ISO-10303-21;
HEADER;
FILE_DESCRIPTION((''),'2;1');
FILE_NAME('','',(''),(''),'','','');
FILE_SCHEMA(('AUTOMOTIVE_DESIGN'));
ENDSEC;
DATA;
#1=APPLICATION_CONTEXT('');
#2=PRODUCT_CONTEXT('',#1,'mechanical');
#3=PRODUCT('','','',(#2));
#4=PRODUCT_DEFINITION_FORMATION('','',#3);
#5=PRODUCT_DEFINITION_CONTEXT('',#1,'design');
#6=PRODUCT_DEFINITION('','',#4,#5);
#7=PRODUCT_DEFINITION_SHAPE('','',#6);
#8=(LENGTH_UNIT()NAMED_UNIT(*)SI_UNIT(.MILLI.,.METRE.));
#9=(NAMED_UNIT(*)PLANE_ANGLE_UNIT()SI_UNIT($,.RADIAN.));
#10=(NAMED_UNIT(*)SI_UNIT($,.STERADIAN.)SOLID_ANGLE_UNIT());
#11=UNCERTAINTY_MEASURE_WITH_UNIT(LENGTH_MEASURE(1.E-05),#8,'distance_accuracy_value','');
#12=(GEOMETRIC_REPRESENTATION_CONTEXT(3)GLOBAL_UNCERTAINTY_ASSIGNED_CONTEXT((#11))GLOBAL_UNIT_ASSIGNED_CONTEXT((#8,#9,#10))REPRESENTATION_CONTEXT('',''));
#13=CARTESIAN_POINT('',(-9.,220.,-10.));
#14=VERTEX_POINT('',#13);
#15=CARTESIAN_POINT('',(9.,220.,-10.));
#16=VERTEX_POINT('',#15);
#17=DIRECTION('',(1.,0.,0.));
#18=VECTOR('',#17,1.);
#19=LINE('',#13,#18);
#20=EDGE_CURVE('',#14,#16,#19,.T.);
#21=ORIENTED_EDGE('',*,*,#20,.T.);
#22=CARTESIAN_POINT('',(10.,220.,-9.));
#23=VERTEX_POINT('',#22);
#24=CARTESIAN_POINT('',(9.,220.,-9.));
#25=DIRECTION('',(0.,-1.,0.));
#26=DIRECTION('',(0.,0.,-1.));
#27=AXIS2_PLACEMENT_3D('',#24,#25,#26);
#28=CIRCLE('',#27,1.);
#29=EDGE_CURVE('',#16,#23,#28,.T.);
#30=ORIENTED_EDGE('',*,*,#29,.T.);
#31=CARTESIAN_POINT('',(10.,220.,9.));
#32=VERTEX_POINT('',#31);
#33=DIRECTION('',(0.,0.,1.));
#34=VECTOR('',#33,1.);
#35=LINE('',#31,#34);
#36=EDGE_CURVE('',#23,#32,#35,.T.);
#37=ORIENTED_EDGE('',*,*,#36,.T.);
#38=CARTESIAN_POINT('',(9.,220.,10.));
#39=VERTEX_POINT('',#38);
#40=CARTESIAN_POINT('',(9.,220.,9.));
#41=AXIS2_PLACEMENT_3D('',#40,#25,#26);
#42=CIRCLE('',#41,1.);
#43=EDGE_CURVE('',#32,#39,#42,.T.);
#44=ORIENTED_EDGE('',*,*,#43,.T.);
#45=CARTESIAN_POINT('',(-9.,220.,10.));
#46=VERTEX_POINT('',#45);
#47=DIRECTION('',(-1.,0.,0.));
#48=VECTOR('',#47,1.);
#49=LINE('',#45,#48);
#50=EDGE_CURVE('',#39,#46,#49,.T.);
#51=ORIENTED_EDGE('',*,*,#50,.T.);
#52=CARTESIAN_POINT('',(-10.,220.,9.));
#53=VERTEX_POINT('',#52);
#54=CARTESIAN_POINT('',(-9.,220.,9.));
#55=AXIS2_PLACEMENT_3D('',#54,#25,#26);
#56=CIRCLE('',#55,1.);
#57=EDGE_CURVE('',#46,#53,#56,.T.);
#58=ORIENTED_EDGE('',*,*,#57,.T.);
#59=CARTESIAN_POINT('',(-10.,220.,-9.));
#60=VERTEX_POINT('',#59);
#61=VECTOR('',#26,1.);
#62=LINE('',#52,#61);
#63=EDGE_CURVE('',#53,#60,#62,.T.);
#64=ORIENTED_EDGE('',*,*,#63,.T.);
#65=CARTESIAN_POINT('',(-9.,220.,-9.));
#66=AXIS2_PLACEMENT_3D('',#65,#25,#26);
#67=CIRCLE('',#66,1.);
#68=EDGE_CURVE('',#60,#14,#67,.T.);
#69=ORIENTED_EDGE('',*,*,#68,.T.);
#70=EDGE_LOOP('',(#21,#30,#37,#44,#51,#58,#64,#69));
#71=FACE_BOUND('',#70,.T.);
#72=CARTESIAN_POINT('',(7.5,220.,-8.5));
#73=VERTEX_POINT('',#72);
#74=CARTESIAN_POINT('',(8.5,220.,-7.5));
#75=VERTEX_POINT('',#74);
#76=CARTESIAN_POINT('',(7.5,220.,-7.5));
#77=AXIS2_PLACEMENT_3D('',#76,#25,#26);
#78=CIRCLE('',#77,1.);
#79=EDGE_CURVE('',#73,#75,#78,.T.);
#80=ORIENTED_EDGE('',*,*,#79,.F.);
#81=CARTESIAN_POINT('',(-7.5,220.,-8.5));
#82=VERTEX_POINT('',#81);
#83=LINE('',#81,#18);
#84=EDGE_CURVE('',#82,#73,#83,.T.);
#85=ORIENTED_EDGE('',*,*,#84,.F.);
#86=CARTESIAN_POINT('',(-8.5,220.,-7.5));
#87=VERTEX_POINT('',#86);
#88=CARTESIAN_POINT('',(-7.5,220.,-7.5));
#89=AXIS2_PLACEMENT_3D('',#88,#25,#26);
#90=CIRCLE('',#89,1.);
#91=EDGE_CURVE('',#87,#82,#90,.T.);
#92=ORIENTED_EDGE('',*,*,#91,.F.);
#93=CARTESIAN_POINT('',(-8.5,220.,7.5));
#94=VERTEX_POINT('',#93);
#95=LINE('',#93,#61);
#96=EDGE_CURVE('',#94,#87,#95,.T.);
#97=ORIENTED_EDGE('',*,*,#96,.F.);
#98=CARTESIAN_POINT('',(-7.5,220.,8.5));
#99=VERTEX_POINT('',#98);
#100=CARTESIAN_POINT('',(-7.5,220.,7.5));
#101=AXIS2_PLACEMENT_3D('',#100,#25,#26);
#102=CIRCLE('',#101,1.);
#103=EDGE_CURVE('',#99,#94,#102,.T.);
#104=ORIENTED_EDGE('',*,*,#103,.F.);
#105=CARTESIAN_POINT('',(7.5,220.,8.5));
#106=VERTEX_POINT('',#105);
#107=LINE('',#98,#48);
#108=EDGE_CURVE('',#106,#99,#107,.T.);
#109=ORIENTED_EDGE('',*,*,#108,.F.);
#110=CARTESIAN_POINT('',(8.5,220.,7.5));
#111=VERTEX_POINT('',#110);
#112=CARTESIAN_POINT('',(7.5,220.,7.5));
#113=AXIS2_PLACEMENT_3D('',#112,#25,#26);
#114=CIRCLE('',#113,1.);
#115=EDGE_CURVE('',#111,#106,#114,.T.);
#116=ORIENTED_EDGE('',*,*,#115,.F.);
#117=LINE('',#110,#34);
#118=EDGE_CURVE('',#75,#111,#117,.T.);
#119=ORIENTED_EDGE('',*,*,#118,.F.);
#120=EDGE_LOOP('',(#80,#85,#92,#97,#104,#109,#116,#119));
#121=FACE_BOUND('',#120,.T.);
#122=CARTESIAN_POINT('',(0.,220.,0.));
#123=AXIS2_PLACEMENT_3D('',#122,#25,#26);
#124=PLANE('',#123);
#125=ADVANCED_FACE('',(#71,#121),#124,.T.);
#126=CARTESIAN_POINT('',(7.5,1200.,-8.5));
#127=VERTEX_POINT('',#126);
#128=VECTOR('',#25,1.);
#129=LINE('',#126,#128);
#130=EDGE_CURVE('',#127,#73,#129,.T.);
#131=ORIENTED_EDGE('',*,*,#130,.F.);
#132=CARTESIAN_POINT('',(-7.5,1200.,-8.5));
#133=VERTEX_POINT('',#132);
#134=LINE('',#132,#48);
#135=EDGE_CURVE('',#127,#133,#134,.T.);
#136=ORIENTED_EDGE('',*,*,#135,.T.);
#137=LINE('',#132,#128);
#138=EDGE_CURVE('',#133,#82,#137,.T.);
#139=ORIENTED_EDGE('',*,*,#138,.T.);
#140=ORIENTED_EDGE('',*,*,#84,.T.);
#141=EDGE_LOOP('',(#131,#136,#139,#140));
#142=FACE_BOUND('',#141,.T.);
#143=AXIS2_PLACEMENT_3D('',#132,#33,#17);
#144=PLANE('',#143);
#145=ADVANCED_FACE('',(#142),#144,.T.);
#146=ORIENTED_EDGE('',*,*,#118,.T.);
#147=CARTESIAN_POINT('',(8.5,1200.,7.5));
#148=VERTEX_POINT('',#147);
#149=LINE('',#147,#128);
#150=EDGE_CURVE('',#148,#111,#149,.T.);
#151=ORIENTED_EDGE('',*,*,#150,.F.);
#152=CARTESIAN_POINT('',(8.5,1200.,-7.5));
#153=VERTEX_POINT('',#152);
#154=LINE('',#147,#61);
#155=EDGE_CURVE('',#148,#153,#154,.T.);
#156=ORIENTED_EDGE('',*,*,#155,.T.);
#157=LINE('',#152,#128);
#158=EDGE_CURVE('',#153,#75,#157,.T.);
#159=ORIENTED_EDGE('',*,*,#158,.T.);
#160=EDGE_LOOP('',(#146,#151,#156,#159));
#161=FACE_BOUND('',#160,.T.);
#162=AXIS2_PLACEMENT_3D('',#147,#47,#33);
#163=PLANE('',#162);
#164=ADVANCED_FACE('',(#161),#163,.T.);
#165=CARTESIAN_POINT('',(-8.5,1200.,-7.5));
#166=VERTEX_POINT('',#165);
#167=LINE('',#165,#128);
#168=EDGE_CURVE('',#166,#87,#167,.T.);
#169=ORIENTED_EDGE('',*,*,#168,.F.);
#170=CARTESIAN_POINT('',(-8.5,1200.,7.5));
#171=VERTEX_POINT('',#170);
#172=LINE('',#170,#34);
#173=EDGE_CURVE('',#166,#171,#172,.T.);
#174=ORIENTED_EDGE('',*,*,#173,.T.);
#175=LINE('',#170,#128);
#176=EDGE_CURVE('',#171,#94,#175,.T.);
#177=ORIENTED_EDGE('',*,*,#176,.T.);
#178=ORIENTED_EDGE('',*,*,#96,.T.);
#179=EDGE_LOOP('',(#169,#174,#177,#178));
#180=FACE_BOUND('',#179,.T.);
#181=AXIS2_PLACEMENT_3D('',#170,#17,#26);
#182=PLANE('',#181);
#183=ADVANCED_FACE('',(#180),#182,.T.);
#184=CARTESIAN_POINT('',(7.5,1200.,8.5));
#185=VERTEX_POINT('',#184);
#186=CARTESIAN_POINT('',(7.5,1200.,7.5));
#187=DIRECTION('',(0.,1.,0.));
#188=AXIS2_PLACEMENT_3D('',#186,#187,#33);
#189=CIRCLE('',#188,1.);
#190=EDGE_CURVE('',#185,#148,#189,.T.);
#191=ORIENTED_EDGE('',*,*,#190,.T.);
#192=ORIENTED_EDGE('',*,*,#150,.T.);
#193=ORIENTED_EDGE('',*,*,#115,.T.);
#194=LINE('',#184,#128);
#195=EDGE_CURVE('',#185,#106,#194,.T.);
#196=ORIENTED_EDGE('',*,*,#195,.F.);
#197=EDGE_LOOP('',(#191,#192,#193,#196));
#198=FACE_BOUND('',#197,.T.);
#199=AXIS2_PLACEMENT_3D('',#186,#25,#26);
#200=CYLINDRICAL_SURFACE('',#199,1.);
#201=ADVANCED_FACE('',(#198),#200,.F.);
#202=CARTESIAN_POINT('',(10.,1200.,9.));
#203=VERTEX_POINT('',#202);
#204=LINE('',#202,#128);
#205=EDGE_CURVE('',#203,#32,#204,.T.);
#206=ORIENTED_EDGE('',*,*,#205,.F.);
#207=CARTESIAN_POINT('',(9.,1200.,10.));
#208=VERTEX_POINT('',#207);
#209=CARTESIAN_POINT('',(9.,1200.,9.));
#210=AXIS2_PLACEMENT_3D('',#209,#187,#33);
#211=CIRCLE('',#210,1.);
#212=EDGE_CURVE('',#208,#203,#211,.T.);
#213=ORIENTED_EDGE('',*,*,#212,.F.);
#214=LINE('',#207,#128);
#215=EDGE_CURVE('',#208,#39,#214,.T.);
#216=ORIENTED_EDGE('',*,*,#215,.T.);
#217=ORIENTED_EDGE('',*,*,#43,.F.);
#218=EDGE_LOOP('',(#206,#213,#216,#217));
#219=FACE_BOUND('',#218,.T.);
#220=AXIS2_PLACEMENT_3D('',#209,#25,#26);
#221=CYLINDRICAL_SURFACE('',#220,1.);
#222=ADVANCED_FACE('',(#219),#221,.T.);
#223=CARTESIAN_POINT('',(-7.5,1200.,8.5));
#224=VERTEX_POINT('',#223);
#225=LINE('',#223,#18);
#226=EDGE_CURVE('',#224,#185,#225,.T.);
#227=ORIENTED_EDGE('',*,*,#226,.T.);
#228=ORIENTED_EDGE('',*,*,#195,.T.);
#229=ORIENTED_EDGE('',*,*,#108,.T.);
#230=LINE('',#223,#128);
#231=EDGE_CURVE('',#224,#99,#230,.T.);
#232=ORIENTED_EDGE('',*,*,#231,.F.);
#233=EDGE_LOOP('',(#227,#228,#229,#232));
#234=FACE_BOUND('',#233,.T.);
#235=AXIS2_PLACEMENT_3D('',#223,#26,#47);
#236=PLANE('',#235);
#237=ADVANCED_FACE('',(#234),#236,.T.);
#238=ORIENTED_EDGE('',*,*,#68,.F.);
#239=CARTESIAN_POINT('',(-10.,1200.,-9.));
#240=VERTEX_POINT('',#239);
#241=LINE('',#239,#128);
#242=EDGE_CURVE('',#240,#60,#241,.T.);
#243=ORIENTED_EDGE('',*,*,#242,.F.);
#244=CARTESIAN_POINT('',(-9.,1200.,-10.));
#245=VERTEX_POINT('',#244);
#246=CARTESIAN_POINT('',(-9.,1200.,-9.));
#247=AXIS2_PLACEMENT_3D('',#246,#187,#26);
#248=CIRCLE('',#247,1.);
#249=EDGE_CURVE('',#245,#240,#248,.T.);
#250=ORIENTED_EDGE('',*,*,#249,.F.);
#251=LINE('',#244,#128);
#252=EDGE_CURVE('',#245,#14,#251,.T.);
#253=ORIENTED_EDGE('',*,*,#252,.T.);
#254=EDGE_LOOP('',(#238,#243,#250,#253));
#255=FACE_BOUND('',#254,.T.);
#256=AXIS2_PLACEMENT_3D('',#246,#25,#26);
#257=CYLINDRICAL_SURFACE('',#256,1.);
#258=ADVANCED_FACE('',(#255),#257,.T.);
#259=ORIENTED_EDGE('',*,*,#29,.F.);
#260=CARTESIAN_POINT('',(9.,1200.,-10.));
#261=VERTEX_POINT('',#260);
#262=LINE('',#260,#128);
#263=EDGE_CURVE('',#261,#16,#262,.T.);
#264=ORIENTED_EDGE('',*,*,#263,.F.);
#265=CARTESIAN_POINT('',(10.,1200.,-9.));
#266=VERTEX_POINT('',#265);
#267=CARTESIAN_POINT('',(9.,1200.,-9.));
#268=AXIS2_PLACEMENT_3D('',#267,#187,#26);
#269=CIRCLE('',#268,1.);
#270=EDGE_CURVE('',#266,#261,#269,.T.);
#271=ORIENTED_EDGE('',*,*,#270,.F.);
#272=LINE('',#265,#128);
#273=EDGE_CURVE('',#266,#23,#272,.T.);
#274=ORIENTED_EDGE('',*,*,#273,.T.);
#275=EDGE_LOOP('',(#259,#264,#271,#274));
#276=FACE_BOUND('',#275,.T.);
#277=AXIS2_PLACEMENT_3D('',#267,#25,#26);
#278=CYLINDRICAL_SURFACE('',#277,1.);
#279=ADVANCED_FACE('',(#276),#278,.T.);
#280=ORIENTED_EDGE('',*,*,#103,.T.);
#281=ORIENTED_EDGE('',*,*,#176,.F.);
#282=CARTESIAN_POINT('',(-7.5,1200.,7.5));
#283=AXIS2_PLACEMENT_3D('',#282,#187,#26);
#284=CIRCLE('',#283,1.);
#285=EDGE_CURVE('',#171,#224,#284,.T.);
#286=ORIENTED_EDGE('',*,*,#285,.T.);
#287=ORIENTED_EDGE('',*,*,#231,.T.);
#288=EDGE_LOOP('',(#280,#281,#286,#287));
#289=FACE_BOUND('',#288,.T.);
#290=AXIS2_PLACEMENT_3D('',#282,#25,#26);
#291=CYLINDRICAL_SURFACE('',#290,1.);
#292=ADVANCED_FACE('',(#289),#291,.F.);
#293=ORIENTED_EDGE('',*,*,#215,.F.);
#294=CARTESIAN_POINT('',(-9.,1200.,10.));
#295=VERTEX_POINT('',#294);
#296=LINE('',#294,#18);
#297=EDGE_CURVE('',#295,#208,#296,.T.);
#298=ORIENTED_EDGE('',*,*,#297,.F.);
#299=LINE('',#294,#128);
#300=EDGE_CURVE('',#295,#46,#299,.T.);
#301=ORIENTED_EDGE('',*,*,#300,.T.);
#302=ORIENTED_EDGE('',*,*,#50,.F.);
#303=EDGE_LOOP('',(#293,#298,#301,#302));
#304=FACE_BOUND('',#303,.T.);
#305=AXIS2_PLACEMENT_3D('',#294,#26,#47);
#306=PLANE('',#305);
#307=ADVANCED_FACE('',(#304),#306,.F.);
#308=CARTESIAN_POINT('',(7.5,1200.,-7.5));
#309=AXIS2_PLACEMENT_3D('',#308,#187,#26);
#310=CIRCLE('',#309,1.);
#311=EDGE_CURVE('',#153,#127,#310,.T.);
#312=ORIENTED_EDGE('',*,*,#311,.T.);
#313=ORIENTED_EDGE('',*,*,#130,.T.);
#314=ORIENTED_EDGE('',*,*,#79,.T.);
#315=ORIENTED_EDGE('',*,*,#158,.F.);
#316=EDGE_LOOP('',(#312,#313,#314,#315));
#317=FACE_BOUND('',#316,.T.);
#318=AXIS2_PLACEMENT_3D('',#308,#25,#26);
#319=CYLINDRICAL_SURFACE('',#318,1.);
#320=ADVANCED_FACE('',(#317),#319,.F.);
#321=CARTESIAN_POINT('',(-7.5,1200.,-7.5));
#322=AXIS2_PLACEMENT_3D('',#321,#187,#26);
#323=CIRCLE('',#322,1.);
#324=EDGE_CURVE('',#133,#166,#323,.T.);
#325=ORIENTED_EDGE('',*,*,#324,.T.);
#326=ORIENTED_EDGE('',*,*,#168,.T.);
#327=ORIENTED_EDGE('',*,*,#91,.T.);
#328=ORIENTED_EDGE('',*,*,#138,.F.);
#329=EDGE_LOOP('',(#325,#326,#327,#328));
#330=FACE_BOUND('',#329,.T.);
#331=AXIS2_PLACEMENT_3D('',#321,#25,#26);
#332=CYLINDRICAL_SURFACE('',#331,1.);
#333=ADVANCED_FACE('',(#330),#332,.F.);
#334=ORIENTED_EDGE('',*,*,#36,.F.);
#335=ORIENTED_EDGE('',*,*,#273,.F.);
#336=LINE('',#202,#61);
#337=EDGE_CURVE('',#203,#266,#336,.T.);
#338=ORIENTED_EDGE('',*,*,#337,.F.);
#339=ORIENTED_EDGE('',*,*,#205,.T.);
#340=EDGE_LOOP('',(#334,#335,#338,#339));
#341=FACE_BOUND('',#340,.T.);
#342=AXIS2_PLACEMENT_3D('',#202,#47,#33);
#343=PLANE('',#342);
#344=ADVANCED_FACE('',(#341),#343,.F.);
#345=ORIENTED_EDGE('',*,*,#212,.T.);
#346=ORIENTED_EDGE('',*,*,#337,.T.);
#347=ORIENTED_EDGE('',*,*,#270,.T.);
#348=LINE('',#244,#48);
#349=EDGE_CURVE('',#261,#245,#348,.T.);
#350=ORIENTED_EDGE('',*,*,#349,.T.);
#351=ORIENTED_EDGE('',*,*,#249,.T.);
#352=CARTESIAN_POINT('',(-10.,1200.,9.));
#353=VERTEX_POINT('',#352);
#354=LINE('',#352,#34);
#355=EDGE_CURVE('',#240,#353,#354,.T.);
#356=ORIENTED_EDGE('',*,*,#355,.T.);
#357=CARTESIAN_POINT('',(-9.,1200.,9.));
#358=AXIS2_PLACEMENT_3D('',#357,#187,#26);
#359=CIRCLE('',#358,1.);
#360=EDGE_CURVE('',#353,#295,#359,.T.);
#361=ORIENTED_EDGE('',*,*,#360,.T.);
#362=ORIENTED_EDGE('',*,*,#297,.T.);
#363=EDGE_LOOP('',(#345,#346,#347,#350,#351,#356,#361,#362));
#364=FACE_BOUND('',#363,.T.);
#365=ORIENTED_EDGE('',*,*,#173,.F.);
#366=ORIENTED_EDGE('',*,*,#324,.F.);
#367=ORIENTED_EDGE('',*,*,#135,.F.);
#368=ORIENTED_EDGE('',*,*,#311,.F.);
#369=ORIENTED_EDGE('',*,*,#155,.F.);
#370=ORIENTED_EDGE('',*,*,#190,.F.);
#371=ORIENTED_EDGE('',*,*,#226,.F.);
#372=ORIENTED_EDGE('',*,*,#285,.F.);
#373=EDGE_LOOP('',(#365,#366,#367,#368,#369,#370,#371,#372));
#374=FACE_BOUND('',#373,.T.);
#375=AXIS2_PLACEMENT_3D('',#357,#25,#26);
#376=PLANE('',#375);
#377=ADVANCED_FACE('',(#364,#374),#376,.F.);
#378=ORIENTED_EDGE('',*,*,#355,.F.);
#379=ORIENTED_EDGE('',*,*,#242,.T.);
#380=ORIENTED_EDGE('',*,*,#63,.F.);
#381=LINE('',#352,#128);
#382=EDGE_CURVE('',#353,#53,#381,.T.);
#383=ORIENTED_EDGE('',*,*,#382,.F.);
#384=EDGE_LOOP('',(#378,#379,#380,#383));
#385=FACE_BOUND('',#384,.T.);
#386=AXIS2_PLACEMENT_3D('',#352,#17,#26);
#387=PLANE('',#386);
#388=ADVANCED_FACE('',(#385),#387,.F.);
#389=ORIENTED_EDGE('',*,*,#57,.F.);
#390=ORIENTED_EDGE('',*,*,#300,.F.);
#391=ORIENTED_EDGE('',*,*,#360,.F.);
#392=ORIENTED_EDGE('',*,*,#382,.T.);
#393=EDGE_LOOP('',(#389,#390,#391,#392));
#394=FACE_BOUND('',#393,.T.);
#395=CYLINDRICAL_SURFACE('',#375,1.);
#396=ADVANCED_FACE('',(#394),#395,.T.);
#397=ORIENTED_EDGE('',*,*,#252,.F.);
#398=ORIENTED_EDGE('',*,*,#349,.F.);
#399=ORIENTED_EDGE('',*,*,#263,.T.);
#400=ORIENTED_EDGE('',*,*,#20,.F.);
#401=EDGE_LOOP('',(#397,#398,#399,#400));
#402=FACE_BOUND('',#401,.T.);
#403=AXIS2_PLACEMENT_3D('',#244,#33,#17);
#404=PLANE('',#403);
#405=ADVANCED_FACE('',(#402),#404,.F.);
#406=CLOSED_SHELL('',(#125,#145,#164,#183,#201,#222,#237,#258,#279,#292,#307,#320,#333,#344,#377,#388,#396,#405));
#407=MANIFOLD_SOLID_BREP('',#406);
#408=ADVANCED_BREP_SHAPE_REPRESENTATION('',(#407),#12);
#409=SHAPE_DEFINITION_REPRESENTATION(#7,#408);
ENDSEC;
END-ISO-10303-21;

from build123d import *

# Parameters (mm, degrees)
BOSS_EXTRUDE1_DEPTH = 1200
SKETCH2_W           = 101.895059676
SKETCH2_H           = 138.127514373
CUT_EXTRUDE1_DEPTH  = 220


with BuildPart() as part:
    # Sketch1 → Boss-Extrude1 (new body)
    with BuildSketch(Plane(origin=(0, 0, 0), x_dir=(1, 0, 0), z_dir=(0, 1, 0))):
        with BuildLine():
            Line((-9, -10), (9, -10))
            ThreePointArc((9, -10), (9.707106781, -9.707106781), (10, -9))
            Line((10, -9), (10, 9))
            ThreePointArc((10, 9), (9.707106781, 9.707106781), (9, 10))
            Line((9, 10), (-9, 10))
            ThreePointArc((-9, 10), (-9.707106781, 9.707106781), (-10, 9))
            Line((-10, 9), (-10, -9))
            ThreePointArc((-10, -9), (-9.707106781, -9.707106781), (-9, -10))
        make_face()
        with BuildLine():
            Line((-7.5, -8.5), (7.5, -8.5))
            ThreePointArc((7.5, -8.5), (8.207106781, -8.207106781), (8.5, -7.5))
            Line((8.5, -7.5), (8.5, 7.5))
            ThreePointArc((8.5, 7.5), (8.207106781, 8.207106781), (7.5, 8.5))
            Line((7.5, 8.5), (-7.5, 8.5))
            ThreePointArc((-7.5, 8.5), (-8.207106781, 8.207106781), (-8.5, 7.5))
            Line((-8.5, 7.5), (-8.5, -7.5))
            ThreePointArc((-8.5, -7.5), (-8.207106781, -8.207106781), (-7.5, -8.5))
        make_face(mode=Mode.SUBTRACT)
    extrude(amount=BOSS_EXTRUDE1_DEPTH)

    # Sketch2 → Cut-Extrude1 (cut)
    with BuildSketch(Plane.XZ):
        with Locations((4.315799724, -16.6218454)):
            Rectangle(SKETCH2_W, SKETCH2_H)
    extrude(amount=-CUT_EXTRUDE1_DEPTH, mode=Mode.SUBTRACT)


solid = part.part
